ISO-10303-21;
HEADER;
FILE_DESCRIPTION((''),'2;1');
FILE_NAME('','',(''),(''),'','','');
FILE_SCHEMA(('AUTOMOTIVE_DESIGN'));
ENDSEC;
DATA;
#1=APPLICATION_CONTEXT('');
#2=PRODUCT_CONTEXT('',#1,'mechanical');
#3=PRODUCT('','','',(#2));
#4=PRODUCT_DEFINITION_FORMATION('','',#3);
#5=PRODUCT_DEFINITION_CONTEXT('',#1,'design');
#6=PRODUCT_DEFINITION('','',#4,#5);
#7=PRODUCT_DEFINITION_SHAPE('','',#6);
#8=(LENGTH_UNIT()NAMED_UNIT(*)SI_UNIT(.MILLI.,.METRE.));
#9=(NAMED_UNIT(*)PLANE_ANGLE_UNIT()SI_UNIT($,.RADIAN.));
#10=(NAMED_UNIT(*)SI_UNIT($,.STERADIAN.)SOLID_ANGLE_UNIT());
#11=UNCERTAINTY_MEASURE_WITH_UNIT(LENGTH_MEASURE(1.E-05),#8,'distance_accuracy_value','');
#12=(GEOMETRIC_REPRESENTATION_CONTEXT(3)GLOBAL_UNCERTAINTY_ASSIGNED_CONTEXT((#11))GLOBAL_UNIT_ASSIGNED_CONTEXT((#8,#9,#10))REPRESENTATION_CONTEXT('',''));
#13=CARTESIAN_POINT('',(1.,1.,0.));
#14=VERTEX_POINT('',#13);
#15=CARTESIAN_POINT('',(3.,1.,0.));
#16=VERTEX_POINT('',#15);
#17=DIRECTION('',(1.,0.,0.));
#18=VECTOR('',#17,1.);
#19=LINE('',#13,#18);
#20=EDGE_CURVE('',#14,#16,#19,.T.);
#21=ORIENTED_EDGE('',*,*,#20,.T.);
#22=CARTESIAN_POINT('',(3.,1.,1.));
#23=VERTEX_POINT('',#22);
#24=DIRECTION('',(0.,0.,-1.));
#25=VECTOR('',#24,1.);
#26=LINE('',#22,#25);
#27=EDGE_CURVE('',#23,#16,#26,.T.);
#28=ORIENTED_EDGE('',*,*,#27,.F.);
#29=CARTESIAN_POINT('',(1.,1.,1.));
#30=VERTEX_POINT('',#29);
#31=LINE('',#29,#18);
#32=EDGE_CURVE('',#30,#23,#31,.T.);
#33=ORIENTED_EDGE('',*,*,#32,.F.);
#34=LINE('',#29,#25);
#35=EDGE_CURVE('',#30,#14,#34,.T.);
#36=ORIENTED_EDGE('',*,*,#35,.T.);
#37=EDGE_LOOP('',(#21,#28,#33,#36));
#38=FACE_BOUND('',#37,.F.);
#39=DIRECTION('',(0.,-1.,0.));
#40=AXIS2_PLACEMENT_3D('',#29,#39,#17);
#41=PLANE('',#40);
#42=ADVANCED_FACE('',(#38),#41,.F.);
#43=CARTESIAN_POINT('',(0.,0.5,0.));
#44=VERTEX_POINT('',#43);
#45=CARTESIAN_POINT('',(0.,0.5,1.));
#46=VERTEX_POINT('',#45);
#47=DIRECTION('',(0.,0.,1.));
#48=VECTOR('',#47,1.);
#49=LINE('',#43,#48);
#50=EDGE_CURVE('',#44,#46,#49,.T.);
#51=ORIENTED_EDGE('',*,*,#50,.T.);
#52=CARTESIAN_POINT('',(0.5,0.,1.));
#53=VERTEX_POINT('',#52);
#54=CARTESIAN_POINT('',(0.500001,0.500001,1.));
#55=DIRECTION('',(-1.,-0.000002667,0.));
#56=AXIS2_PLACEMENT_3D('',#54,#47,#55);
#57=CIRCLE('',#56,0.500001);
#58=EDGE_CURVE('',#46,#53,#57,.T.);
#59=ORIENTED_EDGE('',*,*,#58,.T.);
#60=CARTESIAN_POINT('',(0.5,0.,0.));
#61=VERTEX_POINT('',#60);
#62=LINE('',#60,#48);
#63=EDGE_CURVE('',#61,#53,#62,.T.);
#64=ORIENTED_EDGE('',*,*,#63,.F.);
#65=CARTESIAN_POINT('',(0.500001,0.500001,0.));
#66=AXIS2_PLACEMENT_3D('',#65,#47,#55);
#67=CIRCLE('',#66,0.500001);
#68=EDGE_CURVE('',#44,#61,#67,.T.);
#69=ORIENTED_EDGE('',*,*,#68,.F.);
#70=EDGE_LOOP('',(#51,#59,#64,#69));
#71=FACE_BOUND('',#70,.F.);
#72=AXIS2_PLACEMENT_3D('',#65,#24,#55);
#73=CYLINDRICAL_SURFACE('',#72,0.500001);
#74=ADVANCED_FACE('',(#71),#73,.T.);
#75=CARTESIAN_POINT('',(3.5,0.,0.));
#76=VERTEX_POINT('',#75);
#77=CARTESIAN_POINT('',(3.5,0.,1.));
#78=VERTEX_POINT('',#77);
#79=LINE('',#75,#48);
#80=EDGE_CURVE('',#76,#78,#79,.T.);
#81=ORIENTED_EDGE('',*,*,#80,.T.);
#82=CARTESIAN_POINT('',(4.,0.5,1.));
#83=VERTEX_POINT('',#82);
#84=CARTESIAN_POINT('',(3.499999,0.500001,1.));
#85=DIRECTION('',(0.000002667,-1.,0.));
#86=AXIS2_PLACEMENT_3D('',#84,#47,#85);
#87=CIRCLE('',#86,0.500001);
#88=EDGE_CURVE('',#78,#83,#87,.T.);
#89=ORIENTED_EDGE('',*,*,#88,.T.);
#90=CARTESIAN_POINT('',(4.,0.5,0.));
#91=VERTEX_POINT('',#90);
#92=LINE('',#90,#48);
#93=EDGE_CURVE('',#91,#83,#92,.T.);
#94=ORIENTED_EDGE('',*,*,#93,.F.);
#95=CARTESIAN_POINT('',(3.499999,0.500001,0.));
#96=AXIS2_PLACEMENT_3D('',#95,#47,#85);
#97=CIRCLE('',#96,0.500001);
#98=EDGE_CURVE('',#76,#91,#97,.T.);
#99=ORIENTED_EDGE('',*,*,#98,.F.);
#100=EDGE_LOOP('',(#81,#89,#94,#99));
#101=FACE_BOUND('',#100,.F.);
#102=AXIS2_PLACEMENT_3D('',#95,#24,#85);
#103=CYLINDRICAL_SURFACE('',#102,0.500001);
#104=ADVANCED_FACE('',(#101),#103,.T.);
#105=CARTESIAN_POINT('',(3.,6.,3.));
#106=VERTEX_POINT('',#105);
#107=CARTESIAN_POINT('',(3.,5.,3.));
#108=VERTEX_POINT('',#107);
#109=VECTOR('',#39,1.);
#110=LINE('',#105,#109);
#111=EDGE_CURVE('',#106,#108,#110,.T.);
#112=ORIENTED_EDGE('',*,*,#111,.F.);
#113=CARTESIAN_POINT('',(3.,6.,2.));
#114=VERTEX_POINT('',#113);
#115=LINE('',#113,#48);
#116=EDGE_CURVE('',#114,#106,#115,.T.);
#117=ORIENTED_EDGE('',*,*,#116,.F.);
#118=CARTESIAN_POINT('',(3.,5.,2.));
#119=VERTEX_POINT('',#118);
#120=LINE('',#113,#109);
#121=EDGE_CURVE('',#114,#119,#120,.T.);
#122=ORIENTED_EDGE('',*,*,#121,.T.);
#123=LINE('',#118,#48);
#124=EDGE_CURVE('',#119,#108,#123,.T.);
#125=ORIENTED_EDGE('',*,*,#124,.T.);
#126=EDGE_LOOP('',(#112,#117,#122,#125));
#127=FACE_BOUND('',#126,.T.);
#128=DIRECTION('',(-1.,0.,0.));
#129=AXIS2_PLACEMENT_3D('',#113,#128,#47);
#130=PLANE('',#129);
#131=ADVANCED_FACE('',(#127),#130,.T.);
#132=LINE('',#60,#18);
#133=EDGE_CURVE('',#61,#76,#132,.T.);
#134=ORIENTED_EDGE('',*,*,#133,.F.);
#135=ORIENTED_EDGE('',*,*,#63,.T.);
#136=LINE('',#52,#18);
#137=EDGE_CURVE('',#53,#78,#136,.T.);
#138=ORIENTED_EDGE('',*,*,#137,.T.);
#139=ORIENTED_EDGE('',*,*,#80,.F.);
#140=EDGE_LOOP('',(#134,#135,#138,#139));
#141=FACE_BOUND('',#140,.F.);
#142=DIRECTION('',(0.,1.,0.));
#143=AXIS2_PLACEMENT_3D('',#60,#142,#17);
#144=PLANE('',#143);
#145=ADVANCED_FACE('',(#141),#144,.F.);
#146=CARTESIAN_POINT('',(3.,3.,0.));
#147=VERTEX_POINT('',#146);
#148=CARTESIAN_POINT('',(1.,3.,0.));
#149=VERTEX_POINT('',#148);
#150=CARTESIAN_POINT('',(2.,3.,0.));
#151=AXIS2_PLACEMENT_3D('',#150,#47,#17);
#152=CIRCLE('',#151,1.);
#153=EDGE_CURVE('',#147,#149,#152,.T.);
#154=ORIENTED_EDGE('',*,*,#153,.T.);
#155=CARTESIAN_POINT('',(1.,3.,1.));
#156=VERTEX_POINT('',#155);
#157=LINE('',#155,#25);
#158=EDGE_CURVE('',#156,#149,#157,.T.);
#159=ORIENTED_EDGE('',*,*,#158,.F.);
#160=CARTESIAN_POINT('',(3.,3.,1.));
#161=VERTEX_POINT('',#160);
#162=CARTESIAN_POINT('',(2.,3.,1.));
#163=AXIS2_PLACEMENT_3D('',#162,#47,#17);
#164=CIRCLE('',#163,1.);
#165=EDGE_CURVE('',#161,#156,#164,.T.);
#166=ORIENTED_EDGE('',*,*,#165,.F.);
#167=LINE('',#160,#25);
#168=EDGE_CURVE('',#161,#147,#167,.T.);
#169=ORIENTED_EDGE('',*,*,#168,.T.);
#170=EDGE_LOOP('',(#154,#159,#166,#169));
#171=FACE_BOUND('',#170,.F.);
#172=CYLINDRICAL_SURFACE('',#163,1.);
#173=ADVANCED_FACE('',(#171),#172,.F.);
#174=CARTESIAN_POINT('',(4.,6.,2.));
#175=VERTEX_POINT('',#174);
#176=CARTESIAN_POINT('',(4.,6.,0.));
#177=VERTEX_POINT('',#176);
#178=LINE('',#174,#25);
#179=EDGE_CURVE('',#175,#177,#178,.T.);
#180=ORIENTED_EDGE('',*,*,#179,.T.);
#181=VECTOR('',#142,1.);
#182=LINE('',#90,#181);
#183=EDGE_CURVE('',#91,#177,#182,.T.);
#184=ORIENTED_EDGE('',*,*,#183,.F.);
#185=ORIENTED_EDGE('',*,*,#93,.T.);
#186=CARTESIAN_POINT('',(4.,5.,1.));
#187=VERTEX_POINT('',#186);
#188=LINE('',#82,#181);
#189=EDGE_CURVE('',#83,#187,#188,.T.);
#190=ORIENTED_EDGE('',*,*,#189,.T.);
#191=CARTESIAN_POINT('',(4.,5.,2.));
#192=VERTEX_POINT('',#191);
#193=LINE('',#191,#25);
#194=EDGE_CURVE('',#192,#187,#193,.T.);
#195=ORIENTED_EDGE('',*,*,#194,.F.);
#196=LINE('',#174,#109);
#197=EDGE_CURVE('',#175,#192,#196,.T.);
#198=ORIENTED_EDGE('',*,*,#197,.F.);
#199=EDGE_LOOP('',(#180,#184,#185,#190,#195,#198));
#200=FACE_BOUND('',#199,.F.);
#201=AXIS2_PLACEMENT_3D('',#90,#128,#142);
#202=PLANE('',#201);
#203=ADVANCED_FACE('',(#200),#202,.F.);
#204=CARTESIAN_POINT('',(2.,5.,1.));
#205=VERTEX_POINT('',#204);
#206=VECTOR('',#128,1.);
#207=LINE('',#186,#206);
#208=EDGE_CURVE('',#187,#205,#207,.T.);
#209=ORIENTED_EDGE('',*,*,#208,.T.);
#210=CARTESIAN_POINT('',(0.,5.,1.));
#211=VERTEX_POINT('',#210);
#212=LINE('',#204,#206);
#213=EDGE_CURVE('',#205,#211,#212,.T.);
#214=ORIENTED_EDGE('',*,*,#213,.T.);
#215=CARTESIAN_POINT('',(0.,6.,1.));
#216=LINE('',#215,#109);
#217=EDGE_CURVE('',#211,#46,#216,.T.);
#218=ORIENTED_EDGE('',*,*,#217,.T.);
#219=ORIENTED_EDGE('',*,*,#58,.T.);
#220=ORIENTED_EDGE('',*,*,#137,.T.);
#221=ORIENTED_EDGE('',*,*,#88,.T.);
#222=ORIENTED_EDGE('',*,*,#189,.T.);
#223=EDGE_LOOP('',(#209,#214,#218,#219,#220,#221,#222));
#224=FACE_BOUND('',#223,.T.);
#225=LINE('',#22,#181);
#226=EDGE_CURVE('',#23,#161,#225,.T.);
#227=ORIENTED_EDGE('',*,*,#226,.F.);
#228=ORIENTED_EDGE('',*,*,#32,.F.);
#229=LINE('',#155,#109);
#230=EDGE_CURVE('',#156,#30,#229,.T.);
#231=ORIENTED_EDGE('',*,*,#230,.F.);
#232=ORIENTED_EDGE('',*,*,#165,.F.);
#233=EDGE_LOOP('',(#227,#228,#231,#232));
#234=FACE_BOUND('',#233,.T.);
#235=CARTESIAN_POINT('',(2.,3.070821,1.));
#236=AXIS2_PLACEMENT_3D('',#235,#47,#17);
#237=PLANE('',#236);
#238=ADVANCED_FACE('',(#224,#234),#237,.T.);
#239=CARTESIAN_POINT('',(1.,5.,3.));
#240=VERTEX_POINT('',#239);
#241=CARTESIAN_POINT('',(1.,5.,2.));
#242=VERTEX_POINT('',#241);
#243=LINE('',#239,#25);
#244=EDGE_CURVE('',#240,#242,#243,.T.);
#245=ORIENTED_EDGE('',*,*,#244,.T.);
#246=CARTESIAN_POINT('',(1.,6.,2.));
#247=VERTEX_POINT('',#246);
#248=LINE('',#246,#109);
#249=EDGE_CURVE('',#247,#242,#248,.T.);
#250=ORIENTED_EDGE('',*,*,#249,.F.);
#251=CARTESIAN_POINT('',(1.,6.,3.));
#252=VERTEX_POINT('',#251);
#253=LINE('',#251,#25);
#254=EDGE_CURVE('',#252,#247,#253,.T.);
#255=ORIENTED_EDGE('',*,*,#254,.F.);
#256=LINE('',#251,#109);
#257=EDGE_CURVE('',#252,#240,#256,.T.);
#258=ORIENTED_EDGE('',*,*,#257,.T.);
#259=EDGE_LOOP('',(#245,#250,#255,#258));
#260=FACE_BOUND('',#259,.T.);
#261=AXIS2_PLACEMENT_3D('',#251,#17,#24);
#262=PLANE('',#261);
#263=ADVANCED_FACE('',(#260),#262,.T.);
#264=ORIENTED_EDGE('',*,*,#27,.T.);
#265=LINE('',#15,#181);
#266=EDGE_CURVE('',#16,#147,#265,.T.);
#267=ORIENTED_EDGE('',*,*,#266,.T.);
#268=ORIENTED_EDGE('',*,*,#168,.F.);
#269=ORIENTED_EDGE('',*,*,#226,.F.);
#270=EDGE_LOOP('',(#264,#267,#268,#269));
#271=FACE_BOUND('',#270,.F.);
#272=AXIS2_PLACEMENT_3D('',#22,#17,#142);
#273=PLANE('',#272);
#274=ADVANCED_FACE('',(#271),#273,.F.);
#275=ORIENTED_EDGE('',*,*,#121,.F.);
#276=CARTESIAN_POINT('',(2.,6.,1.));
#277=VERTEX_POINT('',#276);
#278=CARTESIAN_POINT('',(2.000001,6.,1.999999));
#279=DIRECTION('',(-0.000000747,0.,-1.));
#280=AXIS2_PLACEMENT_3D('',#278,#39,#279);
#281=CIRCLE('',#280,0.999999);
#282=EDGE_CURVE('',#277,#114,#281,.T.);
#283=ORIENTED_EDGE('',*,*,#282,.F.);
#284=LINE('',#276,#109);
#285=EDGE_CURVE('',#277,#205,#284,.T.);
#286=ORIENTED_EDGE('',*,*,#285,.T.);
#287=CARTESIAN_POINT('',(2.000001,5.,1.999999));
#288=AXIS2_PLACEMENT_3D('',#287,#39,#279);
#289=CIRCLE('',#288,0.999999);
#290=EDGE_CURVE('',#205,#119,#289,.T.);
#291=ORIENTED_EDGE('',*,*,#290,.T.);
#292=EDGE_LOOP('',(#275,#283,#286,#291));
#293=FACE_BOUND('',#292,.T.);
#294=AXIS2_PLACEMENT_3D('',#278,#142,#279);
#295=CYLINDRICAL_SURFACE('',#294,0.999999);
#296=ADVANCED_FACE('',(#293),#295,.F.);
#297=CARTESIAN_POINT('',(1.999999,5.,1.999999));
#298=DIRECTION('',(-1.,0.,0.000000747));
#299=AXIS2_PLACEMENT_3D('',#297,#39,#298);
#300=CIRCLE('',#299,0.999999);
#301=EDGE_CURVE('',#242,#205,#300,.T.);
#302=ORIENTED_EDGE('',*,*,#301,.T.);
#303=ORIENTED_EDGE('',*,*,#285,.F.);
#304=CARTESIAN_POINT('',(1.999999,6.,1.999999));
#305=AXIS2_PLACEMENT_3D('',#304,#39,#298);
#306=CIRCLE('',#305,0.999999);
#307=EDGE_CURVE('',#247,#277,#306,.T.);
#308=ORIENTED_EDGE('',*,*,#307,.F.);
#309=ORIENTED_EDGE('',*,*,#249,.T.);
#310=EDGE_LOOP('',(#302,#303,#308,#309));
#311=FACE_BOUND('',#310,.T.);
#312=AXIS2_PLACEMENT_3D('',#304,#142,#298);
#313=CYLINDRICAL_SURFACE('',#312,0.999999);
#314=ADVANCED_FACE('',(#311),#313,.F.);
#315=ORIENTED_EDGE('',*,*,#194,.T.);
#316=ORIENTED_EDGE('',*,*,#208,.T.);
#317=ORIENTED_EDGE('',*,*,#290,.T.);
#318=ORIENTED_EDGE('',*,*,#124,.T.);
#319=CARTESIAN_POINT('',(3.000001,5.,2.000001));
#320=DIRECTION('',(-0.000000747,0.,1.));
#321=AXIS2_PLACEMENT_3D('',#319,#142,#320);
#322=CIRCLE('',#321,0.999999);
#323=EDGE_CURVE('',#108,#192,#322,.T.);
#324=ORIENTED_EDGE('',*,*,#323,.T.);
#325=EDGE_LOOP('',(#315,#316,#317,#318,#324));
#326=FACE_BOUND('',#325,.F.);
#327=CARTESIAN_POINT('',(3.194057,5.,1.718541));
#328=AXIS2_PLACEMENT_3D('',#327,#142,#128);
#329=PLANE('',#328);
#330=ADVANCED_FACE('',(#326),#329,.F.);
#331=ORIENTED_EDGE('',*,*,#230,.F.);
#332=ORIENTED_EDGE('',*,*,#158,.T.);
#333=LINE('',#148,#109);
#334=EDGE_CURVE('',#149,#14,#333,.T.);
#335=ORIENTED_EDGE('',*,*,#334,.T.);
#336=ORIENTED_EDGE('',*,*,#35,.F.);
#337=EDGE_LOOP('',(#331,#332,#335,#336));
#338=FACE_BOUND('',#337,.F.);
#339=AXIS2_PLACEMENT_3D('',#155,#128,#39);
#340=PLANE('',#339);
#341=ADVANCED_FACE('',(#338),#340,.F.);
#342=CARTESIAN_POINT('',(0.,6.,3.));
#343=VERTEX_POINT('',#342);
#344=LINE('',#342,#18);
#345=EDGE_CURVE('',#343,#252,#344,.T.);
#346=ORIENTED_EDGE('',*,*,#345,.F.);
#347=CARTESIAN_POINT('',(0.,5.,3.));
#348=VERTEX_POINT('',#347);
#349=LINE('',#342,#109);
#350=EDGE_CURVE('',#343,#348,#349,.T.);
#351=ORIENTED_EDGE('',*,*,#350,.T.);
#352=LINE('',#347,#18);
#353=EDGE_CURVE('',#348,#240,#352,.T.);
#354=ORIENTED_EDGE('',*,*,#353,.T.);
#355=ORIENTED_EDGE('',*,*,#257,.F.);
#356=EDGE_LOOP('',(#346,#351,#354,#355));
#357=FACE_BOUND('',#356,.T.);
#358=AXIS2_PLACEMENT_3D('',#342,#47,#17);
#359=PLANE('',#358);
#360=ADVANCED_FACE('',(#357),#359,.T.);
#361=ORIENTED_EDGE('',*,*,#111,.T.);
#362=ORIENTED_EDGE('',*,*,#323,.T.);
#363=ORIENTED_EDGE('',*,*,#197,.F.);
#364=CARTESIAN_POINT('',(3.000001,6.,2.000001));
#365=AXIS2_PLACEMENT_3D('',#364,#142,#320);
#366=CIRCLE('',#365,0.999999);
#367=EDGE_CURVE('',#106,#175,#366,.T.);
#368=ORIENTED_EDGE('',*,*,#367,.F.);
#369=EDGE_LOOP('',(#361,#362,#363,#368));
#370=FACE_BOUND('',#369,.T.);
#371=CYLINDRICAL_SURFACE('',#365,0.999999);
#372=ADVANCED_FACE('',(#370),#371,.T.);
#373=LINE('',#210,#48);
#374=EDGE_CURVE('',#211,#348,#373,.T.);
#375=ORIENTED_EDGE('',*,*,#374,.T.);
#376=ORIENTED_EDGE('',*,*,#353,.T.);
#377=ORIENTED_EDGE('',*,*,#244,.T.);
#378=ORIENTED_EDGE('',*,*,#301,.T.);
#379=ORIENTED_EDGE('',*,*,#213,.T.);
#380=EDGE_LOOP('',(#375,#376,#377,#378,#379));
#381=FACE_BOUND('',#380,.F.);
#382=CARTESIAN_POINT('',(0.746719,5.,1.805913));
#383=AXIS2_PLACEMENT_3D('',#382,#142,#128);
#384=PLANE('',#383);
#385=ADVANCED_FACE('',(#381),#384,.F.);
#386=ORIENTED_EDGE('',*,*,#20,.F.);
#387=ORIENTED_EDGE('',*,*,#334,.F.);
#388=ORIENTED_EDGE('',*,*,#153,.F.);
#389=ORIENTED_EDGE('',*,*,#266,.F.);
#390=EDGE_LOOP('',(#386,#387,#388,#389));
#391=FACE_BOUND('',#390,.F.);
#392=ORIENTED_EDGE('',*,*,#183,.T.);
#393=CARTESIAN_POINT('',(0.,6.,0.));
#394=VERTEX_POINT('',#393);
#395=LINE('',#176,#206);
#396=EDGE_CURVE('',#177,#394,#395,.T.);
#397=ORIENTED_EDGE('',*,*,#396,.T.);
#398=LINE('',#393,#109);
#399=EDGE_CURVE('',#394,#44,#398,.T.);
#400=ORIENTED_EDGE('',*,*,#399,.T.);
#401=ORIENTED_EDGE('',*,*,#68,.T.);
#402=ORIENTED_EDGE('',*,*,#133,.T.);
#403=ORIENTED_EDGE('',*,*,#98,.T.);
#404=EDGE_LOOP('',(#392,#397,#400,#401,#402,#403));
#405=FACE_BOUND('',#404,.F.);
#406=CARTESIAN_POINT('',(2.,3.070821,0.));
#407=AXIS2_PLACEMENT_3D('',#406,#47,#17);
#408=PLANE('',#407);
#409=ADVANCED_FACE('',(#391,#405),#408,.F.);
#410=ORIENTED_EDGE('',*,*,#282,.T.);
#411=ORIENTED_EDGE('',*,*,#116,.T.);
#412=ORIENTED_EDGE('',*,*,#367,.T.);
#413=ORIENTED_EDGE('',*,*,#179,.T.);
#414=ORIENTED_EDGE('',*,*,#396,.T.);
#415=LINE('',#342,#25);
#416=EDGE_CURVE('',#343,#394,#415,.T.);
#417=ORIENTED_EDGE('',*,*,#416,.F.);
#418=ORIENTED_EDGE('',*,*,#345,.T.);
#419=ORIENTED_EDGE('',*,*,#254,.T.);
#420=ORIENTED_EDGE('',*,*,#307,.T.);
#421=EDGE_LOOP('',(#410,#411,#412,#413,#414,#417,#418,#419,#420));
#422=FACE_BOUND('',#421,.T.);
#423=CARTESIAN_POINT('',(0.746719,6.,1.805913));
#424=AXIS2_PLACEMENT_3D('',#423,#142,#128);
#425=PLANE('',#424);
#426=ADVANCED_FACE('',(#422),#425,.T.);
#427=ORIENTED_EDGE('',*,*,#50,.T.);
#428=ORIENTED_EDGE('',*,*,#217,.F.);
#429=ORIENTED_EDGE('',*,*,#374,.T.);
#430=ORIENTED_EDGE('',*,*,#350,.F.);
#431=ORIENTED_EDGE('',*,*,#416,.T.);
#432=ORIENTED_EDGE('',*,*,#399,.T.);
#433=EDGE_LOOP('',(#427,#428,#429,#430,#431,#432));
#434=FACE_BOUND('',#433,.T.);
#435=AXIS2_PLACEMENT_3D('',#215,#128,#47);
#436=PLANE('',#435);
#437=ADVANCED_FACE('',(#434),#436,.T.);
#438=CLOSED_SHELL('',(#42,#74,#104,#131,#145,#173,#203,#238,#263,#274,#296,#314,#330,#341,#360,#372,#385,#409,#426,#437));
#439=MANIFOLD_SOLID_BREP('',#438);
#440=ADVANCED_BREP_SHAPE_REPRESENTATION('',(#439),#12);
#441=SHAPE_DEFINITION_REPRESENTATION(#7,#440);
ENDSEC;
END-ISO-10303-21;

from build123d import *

# Parameters (mm, degrees)
F1_DEPTH = 1
F3_DEPTH = 1
F5_DEPTH = 1


with BuildPart() as f1:
    # F0 (on Top) → F1 (new body)
    with BuildSketch(Plane.XY):
        with BuildLine():
            Line((0, 6), (0, 0.5))
            ThreePointArc((0, 0.5), (0.146447, 0.146447), (0.5, 0))
            Line((0.5, 0), (3.5, 0))
            ThreePointArc((3.5, 0), (3.853553, 0.146447), (4, 0.5))
            Line((4, 0.5), (4, 6))
            Line((4, 6), (0, 6))
        make_face()
    extrude(amount=F1_DEPTH)

    # F2 (on face) → F3 (cut)
    with BuildSketch(Plane.XY.offset(1)):
        with BuildLine():
            Line((1, 3), (1, 1))
            Line((1, 1), (3, 1))
            Line((3, 1), (3, 3))
            ThreePointArc((3, 3), (2, 4), (1, 3))
        make_face()
    extrude(amount=-F3_DEPTH, mode=Mode.SUBTRACT)

    # F4 (on face) → F5 (join)
    with BuildSketch(Plane(origin=(0, 6, 0), x_dir=(-1, 0, 0), z_dir=(0, 1, 0))):
        with BuildLine():
            Line((-2, 1), (0, 1))
            Line((0, 1), (0, 3))
            Line((0, 3), (-1, 3))
            Line((-1, 3), (-1, 2))
            ThreePointArc((-1, 2), (-1.292893, 1.292893), (-2, 1))
        make_face()
        with BuildLine():
            Line((-4, 1), (-2, 1))
            ThreePointArc((-2, 1), (-2.707107, 1.292893), (-3, 2))
            Line((-3, 2), (-3, 3))
            ThreePointArc((-3, 3), (-3.707107, 2.707107), (-4, 2))
            Line((-4, 2), (-4, 1))
        make_face()
    extrude(amount=-F5_DEPTH)


solid = f1.part
